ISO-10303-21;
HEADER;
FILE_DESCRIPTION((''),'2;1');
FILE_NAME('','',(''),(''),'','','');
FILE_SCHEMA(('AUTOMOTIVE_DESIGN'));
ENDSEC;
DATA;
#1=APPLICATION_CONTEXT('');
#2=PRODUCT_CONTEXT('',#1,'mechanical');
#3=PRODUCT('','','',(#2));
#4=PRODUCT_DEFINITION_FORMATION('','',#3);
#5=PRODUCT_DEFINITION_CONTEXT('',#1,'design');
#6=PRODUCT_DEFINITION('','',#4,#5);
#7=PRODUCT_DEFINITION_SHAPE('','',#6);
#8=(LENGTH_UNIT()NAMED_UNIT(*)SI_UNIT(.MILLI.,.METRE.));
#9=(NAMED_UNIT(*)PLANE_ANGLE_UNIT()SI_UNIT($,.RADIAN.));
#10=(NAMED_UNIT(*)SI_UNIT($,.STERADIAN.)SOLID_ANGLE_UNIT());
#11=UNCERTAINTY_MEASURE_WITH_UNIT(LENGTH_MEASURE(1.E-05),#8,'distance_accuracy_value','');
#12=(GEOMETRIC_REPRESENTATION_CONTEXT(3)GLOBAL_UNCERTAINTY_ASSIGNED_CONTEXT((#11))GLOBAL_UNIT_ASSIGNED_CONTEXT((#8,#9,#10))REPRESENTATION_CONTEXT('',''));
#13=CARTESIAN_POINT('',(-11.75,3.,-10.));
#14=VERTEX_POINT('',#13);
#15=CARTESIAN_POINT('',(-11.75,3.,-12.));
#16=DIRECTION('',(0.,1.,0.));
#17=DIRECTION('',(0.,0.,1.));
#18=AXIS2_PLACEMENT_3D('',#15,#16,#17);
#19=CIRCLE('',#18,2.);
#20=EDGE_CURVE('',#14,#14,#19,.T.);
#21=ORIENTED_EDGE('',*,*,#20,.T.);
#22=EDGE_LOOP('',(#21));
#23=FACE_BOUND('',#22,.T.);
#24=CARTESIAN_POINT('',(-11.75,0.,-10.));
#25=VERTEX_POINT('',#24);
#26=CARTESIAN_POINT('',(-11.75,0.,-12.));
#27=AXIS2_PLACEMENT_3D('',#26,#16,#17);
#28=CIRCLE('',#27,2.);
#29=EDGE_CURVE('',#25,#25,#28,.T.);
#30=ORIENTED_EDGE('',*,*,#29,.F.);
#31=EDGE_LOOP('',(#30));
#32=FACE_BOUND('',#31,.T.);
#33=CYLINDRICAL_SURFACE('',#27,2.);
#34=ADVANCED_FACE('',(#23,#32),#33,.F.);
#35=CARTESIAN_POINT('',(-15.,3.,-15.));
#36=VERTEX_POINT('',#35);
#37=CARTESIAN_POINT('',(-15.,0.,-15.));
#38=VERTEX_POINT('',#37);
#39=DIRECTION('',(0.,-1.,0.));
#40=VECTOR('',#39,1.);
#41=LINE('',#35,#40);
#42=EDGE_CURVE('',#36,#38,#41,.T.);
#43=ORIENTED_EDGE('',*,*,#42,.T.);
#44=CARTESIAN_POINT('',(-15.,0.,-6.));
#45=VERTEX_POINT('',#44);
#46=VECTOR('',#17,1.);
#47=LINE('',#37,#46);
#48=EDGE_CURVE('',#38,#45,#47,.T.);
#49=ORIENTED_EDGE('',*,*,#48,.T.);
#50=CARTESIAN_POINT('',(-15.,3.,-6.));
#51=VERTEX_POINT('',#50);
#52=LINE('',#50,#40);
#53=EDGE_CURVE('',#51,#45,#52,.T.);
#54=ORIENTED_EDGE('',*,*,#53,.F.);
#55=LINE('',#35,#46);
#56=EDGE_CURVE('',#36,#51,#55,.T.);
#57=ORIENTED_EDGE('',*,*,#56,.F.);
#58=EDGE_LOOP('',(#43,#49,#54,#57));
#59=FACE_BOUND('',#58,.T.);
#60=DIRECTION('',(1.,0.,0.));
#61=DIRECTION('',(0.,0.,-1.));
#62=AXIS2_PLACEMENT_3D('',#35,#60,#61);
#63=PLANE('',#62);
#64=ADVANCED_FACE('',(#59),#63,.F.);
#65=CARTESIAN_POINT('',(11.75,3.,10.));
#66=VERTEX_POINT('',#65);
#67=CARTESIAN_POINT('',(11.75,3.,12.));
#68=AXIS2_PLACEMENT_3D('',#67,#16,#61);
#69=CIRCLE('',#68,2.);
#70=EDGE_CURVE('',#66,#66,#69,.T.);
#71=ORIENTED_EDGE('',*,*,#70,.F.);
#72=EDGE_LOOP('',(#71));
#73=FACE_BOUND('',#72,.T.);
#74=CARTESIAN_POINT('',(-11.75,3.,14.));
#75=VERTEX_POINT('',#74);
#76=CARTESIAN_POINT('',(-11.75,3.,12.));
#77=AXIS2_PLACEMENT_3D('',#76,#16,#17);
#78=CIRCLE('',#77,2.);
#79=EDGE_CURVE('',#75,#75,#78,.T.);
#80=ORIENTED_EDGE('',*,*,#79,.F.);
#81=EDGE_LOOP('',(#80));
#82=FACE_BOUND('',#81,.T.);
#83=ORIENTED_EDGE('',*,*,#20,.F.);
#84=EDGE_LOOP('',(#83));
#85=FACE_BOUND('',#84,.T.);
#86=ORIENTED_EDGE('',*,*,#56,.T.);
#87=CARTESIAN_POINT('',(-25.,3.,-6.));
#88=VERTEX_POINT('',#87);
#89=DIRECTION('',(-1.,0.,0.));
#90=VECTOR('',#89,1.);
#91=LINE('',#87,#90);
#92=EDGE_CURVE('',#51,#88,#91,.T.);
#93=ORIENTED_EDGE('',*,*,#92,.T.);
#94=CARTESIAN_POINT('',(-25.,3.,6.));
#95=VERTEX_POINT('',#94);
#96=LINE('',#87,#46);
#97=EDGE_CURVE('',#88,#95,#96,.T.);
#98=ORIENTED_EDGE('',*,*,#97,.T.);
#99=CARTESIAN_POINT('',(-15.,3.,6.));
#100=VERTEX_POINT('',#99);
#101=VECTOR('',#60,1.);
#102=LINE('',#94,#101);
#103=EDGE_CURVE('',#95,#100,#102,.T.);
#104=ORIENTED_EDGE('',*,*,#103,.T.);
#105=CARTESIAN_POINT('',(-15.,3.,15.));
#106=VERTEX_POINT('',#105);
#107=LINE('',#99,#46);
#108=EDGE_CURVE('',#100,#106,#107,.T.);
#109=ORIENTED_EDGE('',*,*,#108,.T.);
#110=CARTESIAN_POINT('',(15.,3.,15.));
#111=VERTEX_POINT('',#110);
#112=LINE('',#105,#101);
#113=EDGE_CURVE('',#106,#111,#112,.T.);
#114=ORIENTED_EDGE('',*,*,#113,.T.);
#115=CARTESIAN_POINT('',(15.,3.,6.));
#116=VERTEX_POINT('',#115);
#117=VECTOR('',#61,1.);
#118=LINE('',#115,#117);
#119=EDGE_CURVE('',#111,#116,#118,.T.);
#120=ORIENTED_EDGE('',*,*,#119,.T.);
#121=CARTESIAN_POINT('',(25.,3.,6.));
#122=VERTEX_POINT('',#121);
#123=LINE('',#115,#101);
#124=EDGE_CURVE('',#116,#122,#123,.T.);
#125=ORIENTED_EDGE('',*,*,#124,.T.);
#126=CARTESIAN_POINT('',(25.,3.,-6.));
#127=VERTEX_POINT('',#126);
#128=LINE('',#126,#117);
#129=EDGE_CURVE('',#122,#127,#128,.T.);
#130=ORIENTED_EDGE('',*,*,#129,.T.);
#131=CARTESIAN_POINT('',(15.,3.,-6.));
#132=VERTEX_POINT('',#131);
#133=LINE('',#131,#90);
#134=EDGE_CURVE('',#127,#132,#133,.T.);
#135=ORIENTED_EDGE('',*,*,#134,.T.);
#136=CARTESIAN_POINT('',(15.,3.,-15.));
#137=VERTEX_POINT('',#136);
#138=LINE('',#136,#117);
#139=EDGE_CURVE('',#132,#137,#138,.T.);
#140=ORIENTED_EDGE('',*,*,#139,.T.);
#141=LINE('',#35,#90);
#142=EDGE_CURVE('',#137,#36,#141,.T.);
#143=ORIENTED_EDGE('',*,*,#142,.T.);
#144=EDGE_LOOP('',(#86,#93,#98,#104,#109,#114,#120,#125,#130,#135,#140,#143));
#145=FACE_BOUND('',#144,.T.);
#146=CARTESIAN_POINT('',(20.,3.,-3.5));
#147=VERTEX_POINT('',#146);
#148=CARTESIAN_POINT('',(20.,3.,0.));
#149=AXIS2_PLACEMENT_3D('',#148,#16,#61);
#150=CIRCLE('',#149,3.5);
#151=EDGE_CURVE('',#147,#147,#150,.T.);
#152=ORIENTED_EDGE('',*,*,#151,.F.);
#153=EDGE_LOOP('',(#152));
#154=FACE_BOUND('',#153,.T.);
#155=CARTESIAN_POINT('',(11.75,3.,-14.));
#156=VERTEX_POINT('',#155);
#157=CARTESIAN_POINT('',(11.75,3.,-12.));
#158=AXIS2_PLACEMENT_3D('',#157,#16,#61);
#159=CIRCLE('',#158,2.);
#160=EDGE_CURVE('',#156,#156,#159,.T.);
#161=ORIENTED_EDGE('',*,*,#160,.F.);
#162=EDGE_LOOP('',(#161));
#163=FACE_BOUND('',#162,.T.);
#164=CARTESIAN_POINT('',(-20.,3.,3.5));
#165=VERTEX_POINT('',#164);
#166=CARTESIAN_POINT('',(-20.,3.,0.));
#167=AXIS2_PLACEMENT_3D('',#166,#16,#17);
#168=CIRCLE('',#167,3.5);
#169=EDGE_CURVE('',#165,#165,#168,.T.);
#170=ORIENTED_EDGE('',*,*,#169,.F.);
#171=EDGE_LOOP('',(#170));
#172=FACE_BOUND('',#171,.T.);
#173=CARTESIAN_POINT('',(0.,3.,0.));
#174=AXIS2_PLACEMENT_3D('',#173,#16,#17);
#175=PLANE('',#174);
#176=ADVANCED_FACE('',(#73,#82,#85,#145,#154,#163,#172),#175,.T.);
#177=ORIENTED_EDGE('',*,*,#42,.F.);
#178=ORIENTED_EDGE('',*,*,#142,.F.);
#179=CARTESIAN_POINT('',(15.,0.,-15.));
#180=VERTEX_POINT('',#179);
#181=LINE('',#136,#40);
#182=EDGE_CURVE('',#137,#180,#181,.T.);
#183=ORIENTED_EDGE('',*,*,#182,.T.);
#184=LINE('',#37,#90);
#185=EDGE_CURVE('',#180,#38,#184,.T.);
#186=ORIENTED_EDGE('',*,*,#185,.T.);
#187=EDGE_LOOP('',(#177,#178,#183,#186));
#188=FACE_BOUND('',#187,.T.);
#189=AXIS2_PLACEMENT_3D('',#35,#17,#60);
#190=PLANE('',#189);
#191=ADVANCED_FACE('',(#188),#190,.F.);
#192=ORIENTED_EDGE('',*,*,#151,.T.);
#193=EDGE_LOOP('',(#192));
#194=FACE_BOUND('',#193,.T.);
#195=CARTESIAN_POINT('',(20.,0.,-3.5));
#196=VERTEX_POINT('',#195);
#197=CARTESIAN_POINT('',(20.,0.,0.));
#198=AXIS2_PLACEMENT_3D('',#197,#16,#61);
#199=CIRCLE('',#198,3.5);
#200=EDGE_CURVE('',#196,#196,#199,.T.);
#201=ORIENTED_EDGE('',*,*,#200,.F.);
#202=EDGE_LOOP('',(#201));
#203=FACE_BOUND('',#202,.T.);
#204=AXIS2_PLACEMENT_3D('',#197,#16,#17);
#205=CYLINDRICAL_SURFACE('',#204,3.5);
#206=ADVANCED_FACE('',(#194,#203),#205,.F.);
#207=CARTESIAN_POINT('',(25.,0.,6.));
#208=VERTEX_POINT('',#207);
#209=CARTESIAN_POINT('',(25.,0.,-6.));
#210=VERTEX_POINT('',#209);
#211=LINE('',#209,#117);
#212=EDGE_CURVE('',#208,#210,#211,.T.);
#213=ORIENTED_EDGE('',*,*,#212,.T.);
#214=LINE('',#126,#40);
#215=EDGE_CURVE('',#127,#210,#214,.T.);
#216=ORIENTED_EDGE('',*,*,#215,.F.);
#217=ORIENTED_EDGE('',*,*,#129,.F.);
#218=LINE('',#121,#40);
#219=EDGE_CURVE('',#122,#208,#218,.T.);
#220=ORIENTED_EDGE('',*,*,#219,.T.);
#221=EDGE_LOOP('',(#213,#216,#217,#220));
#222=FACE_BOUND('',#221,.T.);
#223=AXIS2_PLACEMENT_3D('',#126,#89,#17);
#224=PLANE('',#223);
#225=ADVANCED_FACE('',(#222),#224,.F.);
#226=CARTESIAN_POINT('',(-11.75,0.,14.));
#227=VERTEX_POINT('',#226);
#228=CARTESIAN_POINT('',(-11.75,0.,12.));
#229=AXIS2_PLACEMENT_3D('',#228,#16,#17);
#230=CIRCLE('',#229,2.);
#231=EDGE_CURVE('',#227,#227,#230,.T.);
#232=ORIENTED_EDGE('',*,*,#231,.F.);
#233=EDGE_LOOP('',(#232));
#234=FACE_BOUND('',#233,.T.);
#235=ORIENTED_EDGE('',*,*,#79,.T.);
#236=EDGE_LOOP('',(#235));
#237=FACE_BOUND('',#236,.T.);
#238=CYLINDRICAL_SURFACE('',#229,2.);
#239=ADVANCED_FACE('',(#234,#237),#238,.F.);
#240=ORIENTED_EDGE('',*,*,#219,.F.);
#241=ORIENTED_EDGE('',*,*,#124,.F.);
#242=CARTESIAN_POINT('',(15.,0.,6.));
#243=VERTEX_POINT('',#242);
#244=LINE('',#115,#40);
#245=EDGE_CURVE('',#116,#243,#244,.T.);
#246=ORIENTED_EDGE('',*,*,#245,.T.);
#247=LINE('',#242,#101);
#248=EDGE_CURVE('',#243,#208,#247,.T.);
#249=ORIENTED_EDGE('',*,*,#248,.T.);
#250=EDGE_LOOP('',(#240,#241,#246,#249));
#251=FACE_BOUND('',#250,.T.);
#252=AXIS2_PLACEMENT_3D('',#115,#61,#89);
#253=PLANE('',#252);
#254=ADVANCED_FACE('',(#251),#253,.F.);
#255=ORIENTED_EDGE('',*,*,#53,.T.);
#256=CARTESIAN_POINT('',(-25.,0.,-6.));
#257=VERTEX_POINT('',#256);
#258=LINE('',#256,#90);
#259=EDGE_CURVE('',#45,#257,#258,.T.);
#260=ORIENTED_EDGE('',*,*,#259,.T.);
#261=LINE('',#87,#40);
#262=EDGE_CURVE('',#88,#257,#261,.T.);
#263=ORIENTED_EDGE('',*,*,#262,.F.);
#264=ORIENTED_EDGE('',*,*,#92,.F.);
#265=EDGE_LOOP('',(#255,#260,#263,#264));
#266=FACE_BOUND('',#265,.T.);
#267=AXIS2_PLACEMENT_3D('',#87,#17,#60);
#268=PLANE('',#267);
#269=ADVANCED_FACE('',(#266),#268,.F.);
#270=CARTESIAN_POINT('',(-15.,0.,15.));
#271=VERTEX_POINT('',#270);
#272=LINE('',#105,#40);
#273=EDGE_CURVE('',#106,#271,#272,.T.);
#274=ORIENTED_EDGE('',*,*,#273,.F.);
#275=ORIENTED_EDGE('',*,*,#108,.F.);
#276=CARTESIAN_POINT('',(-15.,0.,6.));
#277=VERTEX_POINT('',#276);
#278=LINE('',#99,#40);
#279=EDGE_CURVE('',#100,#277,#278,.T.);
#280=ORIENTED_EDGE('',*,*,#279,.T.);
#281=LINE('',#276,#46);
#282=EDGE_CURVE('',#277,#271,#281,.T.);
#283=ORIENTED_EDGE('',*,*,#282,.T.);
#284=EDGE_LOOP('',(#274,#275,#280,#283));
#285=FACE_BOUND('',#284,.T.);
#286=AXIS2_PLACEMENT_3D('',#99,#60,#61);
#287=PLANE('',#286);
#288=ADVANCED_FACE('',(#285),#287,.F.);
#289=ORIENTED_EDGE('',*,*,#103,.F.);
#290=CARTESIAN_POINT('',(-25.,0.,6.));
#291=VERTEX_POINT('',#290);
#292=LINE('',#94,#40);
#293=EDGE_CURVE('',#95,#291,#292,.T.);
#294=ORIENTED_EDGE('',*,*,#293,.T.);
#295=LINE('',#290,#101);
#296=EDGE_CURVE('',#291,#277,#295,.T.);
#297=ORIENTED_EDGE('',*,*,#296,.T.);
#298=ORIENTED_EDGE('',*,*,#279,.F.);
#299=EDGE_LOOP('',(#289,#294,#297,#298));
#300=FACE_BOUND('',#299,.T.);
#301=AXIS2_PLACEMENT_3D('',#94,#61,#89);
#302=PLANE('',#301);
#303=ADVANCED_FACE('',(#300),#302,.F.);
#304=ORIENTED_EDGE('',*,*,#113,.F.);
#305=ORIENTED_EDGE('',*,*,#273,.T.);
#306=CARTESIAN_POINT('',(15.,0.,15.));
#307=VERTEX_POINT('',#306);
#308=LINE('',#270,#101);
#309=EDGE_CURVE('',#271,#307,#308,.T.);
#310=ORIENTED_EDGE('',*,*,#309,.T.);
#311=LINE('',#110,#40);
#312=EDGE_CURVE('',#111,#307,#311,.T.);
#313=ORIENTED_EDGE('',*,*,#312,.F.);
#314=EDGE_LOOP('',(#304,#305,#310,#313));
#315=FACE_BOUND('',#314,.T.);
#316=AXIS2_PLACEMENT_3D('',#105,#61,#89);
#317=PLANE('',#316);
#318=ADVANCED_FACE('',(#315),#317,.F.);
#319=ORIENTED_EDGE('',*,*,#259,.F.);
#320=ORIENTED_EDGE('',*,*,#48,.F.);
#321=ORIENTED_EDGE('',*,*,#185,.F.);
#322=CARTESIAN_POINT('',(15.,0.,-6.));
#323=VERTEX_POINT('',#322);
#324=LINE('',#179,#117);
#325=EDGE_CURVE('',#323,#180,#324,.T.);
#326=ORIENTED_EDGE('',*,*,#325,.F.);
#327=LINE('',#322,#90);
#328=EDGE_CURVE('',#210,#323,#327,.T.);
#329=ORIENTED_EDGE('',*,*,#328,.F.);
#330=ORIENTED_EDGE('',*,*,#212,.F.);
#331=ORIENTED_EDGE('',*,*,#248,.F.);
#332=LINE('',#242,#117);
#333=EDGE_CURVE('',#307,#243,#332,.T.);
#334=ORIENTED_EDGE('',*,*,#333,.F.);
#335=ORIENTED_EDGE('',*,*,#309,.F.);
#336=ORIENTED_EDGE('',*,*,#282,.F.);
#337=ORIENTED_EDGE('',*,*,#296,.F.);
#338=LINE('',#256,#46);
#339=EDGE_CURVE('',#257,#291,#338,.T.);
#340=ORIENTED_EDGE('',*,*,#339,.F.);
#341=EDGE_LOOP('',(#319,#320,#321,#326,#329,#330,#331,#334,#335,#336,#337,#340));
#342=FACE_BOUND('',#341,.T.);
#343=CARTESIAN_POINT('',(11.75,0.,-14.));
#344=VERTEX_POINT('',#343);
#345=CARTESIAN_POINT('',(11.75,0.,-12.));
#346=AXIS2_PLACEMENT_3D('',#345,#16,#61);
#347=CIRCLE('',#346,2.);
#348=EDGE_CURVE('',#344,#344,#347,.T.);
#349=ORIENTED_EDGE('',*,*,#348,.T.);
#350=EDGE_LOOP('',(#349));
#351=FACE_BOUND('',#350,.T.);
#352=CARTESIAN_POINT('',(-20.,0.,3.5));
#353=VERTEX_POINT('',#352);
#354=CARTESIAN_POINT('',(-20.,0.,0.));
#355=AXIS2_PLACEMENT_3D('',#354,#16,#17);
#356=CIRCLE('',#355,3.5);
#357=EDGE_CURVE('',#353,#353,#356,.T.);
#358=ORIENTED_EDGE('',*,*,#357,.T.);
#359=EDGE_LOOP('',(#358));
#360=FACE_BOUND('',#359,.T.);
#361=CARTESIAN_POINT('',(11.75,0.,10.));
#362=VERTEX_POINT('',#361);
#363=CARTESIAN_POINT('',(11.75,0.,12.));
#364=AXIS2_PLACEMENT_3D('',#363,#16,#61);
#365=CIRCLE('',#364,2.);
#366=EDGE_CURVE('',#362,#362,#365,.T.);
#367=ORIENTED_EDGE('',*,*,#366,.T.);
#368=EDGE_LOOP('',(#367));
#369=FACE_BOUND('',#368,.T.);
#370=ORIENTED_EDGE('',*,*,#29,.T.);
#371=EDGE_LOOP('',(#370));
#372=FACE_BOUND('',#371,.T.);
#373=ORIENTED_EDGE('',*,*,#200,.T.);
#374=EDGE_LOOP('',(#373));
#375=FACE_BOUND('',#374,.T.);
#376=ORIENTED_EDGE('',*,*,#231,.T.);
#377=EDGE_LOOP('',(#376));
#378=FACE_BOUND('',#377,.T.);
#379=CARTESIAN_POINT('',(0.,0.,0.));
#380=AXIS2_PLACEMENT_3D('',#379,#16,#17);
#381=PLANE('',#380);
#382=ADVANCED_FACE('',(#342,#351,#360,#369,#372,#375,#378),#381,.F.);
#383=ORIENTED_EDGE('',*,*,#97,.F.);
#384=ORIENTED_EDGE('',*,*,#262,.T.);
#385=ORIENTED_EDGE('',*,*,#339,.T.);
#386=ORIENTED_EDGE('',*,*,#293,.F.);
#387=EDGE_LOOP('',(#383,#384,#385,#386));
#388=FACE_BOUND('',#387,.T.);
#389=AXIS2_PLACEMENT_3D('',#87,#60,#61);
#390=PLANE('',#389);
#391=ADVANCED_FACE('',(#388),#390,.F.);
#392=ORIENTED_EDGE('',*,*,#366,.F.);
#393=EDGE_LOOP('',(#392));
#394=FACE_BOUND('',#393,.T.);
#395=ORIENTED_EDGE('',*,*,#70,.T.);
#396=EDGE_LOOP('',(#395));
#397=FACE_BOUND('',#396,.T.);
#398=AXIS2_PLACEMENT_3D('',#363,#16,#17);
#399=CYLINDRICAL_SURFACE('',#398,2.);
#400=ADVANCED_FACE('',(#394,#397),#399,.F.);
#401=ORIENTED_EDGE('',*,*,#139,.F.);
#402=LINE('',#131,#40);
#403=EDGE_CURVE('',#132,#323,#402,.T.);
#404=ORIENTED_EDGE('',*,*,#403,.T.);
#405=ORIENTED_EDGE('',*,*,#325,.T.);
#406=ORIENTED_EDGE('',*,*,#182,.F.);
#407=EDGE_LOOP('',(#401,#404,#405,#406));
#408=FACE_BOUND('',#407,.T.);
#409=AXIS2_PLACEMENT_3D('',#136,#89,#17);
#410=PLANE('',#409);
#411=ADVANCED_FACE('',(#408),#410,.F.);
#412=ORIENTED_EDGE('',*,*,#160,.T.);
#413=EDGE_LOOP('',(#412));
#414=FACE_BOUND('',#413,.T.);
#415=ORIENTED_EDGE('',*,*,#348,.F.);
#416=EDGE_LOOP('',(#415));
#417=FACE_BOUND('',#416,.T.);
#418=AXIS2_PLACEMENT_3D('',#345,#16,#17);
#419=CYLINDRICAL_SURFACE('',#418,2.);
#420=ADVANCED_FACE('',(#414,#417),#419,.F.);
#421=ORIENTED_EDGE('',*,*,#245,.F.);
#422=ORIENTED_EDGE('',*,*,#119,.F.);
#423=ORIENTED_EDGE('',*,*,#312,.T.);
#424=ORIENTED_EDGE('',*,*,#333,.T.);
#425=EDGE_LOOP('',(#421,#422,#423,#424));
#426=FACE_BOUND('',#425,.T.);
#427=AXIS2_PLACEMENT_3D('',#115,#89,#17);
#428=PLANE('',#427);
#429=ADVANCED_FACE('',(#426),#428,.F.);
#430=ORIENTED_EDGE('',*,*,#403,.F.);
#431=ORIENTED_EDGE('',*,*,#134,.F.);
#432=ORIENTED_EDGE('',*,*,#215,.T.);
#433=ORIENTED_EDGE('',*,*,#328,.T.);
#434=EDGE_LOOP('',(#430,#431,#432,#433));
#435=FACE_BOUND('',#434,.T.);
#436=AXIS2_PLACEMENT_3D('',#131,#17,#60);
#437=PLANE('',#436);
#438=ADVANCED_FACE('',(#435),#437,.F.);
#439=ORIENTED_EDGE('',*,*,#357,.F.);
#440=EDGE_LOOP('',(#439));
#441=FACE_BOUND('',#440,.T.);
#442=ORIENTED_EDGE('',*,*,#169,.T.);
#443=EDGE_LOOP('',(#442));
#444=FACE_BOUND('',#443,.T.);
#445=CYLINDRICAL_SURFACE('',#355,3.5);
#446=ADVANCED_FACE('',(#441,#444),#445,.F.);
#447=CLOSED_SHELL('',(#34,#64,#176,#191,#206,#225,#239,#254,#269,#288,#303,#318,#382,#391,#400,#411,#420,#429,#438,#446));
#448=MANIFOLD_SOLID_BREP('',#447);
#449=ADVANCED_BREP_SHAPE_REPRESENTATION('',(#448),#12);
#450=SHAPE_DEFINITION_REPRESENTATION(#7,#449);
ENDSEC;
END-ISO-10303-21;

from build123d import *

# Parameters (mm, degrees)
BOSS_EXTRUDE1_DEPTH = 3
SKETCH2_R           = 3.5
SKETCH2_R_2         = 2
CUT_EXTRUDE1_DEPTH  = 4


with BuildPart() as part:
    # Sketch1 → Boss-Extrude1 (new body)
    with BuildSketch(Plane(origin=(0, 0, 0), x_dir=(1, 0, 0), z_dir=(0, 1, 0))):
        Polygon((-15, -6), (-15, -15), (15, -15), (15, -6), (25, -6), (25, 6), (15, 6), (15, 15), (-15, 15), (-15, 6), (-25, 6), (-25, -6), align=None)
    extrude(amount=BOSS_EXTRUDE1_DEPTH)

    # Sketch2 → Cut-Extrude1 (cut, through all)
    with BuildSketch(Plane(origin=(0, 3, 0), x_dir=(1, 0, 0), z_dir=(0, 1, 0))):
        with Locations((-20, 0)):
            Circle(SKETCH2_R)
        with Locations((-11.75, 12)):
            Circle(SKETCH2_R_2)
        with Locations((-11.75, -12)):
            Circle(SKETCH2_R_2)
        with Locations((11.75, -12)):
            Circle(SKETCH2_R_2)
        with Locations((20, 0)):
            Circle(SKETCH2_R)
        with Locations((11.75, 12)):
            Circle(SKETCH2_R_2)
    extrude(amount=-CUT_EXTRUDE1_DEPTH, mode=Mode.SUBTRACT)


solid = part.part
